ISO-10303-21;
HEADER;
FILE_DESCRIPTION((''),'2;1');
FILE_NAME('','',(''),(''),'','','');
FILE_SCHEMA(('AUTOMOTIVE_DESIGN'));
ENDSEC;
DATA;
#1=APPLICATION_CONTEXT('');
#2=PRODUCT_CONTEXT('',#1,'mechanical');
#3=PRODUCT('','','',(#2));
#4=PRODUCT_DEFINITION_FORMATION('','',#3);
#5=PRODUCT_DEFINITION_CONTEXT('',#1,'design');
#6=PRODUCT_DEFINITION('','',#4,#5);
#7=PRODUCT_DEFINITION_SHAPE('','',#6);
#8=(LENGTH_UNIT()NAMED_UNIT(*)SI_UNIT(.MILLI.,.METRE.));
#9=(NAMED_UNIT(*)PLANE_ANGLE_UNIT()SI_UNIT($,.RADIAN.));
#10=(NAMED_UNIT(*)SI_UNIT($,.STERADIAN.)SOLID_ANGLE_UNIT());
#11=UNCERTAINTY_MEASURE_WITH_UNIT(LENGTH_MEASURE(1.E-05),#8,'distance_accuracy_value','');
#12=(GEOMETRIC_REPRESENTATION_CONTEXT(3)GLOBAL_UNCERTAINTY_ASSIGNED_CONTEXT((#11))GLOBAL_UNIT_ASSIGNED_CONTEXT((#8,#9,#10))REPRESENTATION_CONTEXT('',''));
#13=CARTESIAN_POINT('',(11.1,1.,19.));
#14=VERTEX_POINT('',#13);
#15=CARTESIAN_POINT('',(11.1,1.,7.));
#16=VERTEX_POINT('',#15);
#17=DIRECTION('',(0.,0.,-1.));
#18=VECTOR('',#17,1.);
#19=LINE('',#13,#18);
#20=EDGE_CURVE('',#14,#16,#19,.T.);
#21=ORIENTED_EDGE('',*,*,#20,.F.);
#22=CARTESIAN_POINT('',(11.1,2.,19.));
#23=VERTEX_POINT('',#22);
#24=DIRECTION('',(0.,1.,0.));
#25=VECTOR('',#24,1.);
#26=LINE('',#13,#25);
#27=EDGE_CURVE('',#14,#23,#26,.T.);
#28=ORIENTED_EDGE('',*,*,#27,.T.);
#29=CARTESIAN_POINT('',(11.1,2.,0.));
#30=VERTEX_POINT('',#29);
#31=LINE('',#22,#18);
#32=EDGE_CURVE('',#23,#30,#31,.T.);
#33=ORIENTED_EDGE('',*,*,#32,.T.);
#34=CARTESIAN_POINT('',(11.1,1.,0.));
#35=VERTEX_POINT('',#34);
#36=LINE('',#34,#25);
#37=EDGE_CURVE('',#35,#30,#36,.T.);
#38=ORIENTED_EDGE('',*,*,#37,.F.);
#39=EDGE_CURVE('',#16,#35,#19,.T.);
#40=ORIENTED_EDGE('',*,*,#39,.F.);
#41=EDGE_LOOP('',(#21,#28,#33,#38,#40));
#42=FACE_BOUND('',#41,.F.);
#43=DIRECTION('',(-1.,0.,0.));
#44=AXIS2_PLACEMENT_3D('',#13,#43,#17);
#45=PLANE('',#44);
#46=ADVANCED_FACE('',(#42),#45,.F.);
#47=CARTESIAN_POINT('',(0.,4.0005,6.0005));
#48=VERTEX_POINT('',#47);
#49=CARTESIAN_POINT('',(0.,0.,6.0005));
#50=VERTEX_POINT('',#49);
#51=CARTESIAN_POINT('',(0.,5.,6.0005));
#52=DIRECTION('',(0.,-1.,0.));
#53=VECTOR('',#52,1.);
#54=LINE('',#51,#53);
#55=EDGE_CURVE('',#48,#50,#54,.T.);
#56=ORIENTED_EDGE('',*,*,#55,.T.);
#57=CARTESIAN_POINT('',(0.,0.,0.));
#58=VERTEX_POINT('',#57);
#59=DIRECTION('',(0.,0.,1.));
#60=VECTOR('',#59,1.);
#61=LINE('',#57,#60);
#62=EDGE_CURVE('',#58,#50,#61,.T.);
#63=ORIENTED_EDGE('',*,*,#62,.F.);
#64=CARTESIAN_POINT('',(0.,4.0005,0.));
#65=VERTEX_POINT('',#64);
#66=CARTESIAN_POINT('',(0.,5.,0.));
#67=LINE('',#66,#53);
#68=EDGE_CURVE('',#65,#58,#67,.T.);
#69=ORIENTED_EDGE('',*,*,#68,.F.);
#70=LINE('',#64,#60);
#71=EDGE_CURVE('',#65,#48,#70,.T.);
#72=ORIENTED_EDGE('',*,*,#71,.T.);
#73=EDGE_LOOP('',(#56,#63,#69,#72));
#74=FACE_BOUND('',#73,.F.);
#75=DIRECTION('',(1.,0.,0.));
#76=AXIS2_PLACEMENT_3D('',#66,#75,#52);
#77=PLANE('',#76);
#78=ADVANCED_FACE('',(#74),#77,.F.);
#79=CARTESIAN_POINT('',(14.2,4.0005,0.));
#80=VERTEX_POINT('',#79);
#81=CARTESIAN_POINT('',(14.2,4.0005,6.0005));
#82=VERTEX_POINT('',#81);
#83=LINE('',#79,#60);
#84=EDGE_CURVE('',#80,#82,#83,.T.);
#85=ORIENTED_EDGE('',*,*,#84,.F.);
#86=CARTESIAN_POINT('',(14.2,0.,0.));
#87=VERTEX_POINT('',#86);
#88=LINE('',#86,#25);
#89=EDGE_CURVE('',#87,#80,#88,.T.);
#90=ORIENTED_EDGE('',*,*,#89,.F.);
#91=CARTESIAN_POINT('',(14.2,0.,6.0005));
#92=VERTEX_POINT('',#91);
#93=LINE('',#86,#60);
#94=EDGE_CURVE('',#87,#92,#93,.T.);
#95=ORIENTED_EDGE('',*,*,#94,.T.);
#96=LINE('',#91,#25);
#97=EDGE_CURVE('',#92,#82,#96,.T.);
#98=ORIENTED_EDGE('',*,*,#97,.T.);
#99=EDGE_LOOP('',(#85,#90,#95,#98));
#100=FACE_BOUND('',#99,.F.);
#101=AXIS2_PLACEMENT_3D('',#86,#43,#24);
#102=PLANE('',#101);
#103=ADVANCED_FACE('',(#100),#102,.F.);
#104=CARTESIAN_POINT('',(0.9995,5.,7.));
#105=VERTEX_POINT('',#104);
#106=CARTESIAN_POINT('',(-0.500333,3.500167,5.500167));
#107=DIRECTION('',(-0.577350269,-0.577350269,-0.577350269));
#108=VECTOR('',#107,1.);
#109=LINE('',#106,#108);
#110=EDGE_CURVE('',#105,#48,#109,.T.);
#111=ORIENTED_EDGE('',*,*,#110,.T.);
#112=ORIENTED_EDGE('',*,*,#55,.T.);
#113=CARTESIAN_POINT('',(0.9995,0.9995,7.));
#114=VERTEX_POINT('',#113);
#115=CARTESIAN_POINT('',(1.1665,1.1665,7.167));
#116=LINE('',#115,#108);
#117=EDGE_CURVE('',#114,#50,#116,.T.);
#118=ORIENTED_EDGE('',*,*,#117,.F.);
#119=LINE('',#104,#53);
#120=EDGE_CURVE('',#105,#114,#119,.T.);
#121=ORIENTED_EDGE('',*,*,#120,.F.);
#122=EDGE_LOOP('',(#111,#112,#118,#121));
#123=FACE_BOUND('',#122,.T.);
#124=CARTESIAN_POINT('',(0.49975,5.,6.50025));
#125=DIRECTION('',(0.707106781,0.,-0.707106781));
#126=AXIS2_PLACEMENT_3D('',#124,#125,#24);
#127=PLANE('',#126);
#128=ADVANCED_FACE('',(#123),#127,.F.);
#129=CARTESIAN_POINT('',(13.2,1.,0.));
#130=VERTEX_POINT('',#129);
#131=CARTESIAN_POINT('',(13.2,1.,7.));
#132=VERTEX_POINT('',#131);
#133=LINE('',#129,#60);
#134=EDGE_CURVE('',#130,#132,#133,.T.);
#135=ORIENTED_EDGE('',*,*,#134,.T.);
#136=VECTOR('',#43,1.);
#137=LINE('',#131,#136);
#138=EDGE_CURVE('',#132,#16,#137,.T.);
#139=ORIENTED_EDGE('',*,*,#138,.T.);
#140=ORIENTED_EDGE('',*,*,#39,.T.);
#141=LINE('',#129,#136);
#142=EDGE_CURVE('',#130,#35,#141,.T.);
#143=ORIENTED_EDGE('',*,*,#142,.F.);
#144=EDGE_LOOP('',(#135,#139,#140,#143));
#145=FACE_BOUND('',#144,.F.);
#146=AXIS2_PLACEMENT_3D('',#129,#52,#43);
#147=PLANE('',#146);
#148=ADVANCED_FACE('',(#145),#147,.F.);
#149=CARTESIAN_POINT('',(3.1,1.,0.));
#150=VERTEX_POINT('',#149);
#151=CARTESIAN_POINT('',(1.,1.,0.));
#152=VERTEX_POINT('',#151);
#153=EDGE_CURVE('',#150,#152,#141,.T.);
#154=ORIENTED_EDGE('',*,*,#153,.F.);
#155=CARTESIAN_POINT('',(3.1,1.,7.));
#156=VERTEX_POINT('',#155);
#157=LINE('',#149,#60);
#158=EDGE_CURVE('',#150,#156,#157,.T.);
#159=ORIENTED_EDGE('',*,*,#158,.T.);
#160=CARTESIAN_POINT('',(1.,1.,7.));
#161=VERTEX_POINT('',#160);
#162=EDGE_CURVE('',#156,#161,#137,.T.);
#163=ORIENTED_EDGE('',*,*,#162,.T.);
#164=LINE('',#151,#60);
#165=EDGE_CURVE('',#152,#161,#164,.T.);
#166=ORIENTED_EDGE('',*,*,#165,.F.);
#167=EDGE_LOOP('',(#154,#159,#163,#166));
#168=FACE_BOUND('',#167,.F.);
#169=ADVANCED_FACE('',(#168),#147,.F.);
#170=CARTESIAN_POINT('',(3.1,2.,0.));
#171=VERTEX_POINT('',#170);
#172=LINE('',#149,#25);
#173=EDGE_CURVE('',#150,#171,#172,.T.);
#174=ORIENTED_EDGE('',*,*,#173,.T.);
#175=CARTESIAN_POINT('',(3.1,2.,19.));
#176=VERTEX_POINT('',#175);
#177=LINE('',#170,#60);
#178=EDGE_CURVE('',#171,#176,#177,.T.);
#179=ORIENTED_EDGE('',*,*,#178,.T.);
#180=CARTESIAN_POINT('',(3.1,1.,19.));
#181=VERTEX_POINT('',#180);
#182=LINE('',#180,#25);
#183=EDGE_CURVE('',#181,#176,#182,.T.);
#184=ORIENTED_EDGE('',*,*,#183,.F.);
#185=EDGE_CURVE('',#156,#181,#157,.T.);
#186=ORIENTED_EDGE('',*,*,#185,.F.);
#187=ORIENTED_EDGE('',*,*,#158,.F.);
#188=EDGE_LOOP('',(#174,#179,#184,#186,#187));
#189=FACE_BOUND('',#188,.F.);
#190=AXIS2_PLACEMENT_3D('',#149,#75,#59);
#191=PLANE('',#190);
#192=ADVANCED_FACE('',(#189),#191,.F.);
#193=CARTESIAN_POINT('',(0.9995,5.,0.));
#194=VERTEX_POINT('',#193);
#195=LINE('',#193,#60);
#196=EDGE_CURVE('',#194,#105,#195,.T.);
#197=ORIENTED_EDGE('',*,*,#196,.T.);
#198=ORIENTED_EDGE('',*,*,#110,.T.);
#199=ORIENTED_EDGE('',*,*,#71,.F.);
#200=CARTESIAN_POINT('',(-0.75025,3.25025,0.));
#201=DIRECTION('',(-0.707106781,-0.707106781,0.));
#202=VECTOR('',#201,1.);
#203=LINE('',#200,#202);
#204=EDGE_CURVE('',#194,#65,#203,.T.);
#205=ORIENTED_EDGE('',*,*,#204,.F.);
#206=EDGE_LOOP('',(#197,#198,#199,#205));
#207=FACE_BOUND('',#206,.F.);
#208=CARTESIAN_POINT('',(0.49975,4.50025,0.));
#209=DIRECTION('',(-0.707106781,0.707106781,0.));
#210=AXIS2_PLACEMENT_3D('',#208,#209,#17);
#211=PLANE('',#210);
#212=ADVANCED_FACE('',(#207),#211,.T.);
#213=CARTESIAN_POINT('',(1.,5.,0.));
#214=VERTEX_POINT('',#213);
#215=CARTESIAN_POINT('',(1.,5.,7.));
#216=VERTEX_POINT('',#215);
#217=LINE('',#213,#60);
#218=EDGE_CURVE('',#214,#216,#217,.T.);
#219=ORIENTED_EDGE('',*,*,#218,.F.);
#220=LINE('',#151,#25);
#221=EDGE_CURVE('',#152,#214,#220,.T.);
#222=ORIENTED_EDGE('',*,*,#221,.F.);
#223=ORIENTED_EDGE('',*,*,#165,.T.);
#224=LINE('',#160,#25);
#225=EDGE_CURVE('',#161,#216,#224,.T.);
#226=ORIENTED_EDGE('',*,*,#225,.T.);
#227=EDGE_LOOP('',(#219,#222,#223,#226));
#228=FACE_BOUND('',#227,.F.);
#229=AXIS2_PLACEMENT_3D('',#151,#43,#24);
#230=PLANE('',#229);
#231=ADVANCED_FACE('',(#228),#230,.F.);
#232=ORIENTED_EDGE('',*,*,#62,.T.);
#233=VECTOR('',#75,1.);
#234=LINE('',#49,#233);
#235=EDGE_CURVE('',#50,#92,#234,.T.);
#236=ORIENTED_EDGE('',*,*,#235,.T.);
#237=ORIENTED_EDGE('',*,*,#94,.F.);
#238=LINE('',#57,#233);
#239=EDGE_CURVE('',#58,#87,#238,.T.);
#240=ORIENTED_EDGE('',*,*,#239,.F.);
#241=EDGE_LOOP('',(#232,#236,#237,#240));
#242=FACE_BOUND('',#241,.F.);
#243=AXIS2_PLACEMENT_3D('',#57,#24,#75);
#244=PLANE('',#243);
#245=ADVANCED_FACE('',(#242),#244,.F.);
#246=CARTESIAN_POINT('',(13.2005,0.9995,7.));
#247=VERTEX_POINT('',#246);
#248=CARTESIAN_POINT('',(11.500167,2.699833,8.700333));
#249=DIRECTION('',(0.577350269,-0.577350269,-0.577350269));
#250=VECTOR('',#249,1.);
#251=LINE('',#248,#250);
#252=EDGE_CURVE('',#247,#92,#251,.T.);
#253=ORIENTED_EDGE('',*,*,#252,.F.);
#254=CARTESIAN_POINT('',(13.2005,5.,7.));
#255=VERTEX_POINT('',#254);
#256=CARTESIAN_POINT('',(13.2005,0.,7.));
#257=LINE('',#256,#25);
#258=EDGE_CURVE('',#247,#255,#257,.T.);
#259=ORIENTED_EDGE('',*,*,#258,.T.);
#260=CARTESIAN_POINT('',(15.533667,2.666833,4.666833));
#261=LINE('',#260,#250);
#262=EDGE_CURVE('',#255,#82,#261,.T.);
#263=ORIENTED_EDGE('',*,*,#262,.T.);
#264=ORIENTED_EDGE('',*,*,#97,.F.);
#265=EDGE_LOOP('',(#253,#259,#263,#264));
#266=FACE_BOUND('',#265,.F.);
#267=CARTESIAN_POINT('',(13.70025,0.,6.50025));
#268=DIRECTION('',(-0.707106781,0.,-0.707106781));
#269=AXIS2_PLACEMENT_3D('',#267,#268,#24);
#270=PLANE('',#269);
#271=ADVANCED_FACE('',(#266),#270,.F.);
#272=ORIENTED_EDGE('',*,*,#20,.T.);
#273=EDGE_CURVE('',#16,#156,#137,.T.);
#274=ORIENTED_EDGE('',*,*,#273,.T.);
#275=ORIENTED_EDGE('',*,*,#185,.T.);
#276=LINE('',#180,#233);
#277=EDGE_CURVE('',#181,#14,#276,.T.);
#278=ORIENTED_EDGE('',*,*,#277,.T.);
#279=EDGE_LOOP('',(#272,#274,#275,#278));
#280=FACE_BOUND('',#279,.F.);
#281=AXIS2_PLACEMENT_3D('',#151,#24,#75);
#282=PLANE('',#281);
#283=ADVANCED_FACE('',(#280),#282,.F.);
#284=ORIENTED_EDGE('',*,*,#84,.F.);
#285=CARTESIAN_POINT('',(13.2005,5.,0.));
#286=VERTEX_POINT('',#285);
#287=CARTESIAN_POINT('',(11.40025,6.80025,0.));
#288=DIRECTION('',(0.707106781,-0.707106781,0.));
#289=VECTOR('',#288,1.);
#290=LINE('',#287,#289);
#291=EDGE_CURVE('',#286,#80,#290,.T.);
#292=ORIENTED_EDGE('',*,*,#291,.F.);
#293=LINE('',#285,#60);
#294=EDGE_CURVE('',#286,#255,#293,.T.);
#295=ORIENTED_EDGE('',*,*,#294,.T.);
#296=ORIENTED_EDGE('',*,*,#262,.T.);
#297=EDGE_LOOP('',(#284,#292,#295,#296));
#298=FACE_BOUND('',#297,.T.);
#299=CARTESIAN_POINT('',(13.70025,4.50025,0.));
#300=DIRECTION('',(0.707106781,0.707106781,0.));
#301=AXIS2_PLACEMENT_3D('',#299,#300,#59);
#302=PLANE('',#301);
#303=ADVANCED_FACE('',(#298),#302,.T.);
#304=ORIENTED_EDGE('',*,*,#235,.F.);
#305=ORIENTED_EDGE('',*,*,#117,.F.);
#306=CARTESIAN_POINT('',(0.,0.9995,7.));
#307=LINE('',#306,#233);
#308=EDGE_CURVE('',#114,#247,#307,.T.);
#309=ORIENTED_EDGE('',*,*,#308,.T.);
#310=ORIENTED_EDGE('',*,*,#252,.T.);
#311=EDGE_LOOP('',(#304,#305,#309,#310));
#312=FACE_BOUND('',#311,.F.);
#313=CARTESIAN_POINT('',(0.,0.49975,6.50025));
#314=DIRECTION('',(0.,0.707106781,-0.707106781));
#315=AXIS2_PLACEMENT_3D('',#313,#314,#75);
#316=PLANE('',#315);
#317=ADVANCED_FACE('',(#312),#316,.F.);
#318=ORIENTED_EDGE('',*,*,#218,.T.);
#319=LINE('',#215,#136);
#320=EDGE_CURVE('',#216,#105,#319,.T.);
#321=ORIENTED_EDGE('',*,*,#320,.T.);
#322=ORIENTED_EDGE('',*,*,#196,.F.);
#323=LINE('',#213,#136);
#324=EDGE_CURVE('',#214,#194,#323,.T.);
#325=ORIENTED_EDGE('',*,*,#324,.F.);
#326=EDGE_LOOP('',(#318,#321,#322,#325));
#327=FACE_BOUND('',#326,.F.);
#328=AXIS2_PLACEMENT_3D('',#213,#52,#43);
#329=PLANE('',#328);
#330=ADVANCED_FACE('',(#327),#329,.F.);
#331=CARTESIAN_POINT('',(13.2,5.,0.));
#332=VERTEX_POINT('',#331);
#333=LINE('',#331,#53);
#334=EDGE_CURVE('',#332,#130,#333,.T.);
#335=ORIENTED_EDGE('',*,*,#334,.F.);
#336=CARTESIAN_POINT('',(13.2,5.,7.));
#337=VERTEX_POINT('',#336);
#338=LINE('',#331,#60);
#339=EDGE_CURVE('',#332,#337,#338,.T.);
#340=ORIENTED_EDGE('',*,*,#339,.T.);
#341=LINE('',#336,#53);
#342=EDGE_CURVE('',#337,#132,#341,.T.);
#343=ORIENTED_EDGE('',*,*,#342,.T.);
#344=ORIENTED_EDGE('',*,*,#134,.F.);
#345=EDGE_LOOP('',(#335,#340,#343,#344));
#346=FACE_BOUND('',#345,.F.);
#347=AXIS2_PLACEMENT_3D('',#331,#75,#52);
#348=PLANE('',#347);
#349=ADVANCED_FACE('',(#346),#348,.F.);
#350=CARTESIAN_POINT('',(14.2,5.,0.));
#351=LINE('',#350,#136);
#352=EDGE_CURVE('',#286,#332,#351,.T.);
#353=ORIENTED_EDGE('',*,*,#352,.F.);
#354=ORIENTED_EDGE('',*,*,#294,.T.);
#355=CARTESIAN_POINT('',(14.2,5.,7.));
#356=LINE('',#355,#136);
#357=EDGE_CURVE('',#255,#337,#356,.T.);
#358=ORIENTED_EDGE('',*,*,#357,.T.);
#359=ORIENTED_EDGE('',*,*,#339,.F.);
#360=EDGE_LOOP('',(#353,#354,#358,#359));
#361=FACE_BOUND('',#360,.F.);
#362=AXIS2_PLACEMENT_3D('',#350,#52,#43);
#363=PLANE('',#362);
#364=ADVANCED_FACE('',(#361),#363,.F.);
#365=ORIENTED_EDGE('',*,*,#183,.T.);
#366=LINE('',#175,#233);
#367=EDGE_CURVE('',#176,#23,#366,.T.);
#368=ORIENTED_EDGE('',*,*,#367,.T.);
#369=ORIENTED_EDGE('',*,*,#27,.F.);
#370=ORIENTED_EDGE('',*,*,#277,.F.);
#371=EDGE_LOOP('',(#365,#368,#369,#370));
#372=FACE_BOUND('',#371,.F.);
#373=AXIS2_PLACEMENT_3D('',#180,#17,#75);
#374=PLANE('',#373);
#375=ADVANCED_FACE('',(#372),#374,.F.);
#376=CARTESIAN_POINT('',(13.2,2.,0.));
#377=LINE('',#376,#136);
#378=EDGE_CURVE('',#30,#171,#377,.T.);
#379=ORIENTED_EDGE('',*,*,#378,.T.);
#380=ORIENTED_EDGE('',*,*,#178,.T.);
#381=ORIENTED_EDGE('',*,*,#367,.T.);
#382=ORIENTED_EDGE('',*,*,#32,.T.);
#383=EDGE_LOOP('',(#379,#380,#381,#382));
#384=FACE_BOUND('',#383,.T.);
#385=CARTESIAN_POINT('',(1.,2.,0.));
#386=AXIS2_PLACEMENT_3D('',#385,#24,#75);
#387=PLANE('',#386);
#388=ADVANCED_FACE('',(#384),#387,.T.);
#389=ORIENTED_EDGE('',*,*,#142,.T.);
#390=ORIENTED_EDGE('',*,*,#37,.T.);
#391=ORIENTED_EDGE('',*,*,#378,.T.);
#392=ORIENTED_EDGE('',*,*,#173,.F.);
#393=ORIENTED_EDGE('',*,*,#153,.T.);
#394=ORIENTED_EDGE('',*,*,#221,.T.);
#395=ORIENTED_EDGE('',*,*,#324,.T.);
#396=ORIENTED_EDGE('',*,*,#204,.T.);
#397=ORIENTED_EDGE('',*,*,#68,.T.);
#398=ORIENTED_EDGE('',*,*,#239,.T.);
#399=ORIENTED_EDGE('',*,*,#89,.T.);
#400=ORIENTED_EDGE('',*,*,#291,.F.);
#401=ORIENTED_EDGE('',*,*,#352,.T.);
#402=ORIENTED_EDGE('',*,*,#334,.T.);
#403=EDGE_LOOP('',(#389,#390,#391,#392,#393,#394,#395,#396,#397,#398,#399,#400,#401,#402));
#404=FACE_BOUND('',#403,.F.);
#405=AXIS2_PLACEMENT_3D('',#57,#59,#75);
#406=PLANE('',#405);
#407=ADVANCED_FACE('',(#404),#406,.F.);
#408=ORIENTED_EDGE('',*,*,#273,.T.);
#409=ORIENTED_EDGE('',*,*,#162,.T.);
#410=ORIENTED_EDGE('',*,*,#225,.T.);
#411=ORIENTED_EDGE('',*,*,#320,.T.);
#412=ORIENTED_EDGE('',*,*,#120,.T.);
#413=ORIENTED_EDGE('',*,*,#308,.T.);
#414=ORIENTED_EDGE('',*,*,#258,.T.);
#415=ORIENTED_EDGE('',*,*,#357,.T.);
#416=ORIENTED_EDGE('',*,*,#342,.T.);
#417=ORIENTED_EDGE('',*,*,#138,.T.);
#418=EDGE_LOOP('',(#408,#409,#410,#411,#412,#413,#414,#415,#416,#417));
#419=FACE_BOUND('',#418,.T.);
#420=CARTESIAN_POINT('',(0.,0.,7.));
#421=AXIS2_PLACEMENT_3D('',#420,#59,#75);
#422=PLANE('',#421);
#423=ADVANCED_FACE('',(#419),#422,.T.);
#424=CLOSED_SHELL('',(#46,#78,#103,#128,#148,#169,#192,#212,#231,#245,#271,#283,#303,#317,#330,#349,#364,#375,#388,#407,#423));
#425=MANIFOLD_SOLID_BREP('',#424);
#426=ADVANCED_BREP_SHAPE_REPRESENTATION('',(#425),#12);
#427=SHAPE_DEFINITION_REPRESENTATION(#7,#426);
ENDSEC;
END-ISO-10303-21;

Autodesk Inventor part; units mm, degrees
ref_plane "YZ Plane" through (0, 0, 0) normal (1, 0, 0) x (0, 1, 0)
ref_plane "XZ Plane" through (0, 0, 0) normal (0, 1, 0) x (-1, 0, 0)
ref_plane "XY Plane" through (0, 0, 0) normal (0, 0, 1) x (1, 0, 0)
sketch "스케치1" plane through (0, 0, 0) normal (0, 0, 1) x (1, 0, 0)
  line L0 (0, 5) -> (0, 0)
  line L1 (0, 0) -> (15.1186, 0)
  line L2 (0, 0) -> (14.2, 0)
  line L3 (14.2, 0) -> (14.2, 5)
  line L4 (14.2, 5) -> (13.2, 5)
  line L5 (13.2, 5) -> (13.2, 1)
  line L6 (13.2, 1) -> (1, 1)
  line L7 (1, 1) -> (1, 5)
  line L8 (1, 5) -> (0, 5)
  dimension "t" = 1
  dimension "d1" = 1
  dimension "d2" = 1
  dimension "d3" = 12.2
  dimension "d4" = 4
extrude "돌출1" add sketch "스케치1" along normal blind 7
sketch "스케치2" plane through (1, 1, 0) normal (0, 1, 0) x (1, 0, 0)
  line L0 (12.2, 0) -> (0, 0) projected
  line L1 (0, 0) -> (0, -7) projected
  line L2 (12.2, 0) -> (12.2, -7) projected
  line L3 (10.1, 0) -> (2.1, 0)
  line L4 (2.1, 0) -> (2.1, -19)
  line L5 (2.1, -19) -> (10.1, -19)
  line L6 (10.1, -19) -> (10.1, 0)
  point P0 (-1, 0)
  point P1 (2.1, 0)
  dimension "d7" = 2.1
  dimension "d8" = 19
  dimension "d9" = 2.1
extrude "돌출2" add sketch "스케치2" along normal blind 1
chamfer "모따기1" distance 1 angle 45 5 edges at (14.2, 5, 3.5) (7.1, 0, 7) (0, 5, 3.5) (14.2, 2.5, 7) (0, 2.5, 7)
equation "\"d1\" = t"
equation "\"d2\" = t"
properties part number "_3D 인쇄"
